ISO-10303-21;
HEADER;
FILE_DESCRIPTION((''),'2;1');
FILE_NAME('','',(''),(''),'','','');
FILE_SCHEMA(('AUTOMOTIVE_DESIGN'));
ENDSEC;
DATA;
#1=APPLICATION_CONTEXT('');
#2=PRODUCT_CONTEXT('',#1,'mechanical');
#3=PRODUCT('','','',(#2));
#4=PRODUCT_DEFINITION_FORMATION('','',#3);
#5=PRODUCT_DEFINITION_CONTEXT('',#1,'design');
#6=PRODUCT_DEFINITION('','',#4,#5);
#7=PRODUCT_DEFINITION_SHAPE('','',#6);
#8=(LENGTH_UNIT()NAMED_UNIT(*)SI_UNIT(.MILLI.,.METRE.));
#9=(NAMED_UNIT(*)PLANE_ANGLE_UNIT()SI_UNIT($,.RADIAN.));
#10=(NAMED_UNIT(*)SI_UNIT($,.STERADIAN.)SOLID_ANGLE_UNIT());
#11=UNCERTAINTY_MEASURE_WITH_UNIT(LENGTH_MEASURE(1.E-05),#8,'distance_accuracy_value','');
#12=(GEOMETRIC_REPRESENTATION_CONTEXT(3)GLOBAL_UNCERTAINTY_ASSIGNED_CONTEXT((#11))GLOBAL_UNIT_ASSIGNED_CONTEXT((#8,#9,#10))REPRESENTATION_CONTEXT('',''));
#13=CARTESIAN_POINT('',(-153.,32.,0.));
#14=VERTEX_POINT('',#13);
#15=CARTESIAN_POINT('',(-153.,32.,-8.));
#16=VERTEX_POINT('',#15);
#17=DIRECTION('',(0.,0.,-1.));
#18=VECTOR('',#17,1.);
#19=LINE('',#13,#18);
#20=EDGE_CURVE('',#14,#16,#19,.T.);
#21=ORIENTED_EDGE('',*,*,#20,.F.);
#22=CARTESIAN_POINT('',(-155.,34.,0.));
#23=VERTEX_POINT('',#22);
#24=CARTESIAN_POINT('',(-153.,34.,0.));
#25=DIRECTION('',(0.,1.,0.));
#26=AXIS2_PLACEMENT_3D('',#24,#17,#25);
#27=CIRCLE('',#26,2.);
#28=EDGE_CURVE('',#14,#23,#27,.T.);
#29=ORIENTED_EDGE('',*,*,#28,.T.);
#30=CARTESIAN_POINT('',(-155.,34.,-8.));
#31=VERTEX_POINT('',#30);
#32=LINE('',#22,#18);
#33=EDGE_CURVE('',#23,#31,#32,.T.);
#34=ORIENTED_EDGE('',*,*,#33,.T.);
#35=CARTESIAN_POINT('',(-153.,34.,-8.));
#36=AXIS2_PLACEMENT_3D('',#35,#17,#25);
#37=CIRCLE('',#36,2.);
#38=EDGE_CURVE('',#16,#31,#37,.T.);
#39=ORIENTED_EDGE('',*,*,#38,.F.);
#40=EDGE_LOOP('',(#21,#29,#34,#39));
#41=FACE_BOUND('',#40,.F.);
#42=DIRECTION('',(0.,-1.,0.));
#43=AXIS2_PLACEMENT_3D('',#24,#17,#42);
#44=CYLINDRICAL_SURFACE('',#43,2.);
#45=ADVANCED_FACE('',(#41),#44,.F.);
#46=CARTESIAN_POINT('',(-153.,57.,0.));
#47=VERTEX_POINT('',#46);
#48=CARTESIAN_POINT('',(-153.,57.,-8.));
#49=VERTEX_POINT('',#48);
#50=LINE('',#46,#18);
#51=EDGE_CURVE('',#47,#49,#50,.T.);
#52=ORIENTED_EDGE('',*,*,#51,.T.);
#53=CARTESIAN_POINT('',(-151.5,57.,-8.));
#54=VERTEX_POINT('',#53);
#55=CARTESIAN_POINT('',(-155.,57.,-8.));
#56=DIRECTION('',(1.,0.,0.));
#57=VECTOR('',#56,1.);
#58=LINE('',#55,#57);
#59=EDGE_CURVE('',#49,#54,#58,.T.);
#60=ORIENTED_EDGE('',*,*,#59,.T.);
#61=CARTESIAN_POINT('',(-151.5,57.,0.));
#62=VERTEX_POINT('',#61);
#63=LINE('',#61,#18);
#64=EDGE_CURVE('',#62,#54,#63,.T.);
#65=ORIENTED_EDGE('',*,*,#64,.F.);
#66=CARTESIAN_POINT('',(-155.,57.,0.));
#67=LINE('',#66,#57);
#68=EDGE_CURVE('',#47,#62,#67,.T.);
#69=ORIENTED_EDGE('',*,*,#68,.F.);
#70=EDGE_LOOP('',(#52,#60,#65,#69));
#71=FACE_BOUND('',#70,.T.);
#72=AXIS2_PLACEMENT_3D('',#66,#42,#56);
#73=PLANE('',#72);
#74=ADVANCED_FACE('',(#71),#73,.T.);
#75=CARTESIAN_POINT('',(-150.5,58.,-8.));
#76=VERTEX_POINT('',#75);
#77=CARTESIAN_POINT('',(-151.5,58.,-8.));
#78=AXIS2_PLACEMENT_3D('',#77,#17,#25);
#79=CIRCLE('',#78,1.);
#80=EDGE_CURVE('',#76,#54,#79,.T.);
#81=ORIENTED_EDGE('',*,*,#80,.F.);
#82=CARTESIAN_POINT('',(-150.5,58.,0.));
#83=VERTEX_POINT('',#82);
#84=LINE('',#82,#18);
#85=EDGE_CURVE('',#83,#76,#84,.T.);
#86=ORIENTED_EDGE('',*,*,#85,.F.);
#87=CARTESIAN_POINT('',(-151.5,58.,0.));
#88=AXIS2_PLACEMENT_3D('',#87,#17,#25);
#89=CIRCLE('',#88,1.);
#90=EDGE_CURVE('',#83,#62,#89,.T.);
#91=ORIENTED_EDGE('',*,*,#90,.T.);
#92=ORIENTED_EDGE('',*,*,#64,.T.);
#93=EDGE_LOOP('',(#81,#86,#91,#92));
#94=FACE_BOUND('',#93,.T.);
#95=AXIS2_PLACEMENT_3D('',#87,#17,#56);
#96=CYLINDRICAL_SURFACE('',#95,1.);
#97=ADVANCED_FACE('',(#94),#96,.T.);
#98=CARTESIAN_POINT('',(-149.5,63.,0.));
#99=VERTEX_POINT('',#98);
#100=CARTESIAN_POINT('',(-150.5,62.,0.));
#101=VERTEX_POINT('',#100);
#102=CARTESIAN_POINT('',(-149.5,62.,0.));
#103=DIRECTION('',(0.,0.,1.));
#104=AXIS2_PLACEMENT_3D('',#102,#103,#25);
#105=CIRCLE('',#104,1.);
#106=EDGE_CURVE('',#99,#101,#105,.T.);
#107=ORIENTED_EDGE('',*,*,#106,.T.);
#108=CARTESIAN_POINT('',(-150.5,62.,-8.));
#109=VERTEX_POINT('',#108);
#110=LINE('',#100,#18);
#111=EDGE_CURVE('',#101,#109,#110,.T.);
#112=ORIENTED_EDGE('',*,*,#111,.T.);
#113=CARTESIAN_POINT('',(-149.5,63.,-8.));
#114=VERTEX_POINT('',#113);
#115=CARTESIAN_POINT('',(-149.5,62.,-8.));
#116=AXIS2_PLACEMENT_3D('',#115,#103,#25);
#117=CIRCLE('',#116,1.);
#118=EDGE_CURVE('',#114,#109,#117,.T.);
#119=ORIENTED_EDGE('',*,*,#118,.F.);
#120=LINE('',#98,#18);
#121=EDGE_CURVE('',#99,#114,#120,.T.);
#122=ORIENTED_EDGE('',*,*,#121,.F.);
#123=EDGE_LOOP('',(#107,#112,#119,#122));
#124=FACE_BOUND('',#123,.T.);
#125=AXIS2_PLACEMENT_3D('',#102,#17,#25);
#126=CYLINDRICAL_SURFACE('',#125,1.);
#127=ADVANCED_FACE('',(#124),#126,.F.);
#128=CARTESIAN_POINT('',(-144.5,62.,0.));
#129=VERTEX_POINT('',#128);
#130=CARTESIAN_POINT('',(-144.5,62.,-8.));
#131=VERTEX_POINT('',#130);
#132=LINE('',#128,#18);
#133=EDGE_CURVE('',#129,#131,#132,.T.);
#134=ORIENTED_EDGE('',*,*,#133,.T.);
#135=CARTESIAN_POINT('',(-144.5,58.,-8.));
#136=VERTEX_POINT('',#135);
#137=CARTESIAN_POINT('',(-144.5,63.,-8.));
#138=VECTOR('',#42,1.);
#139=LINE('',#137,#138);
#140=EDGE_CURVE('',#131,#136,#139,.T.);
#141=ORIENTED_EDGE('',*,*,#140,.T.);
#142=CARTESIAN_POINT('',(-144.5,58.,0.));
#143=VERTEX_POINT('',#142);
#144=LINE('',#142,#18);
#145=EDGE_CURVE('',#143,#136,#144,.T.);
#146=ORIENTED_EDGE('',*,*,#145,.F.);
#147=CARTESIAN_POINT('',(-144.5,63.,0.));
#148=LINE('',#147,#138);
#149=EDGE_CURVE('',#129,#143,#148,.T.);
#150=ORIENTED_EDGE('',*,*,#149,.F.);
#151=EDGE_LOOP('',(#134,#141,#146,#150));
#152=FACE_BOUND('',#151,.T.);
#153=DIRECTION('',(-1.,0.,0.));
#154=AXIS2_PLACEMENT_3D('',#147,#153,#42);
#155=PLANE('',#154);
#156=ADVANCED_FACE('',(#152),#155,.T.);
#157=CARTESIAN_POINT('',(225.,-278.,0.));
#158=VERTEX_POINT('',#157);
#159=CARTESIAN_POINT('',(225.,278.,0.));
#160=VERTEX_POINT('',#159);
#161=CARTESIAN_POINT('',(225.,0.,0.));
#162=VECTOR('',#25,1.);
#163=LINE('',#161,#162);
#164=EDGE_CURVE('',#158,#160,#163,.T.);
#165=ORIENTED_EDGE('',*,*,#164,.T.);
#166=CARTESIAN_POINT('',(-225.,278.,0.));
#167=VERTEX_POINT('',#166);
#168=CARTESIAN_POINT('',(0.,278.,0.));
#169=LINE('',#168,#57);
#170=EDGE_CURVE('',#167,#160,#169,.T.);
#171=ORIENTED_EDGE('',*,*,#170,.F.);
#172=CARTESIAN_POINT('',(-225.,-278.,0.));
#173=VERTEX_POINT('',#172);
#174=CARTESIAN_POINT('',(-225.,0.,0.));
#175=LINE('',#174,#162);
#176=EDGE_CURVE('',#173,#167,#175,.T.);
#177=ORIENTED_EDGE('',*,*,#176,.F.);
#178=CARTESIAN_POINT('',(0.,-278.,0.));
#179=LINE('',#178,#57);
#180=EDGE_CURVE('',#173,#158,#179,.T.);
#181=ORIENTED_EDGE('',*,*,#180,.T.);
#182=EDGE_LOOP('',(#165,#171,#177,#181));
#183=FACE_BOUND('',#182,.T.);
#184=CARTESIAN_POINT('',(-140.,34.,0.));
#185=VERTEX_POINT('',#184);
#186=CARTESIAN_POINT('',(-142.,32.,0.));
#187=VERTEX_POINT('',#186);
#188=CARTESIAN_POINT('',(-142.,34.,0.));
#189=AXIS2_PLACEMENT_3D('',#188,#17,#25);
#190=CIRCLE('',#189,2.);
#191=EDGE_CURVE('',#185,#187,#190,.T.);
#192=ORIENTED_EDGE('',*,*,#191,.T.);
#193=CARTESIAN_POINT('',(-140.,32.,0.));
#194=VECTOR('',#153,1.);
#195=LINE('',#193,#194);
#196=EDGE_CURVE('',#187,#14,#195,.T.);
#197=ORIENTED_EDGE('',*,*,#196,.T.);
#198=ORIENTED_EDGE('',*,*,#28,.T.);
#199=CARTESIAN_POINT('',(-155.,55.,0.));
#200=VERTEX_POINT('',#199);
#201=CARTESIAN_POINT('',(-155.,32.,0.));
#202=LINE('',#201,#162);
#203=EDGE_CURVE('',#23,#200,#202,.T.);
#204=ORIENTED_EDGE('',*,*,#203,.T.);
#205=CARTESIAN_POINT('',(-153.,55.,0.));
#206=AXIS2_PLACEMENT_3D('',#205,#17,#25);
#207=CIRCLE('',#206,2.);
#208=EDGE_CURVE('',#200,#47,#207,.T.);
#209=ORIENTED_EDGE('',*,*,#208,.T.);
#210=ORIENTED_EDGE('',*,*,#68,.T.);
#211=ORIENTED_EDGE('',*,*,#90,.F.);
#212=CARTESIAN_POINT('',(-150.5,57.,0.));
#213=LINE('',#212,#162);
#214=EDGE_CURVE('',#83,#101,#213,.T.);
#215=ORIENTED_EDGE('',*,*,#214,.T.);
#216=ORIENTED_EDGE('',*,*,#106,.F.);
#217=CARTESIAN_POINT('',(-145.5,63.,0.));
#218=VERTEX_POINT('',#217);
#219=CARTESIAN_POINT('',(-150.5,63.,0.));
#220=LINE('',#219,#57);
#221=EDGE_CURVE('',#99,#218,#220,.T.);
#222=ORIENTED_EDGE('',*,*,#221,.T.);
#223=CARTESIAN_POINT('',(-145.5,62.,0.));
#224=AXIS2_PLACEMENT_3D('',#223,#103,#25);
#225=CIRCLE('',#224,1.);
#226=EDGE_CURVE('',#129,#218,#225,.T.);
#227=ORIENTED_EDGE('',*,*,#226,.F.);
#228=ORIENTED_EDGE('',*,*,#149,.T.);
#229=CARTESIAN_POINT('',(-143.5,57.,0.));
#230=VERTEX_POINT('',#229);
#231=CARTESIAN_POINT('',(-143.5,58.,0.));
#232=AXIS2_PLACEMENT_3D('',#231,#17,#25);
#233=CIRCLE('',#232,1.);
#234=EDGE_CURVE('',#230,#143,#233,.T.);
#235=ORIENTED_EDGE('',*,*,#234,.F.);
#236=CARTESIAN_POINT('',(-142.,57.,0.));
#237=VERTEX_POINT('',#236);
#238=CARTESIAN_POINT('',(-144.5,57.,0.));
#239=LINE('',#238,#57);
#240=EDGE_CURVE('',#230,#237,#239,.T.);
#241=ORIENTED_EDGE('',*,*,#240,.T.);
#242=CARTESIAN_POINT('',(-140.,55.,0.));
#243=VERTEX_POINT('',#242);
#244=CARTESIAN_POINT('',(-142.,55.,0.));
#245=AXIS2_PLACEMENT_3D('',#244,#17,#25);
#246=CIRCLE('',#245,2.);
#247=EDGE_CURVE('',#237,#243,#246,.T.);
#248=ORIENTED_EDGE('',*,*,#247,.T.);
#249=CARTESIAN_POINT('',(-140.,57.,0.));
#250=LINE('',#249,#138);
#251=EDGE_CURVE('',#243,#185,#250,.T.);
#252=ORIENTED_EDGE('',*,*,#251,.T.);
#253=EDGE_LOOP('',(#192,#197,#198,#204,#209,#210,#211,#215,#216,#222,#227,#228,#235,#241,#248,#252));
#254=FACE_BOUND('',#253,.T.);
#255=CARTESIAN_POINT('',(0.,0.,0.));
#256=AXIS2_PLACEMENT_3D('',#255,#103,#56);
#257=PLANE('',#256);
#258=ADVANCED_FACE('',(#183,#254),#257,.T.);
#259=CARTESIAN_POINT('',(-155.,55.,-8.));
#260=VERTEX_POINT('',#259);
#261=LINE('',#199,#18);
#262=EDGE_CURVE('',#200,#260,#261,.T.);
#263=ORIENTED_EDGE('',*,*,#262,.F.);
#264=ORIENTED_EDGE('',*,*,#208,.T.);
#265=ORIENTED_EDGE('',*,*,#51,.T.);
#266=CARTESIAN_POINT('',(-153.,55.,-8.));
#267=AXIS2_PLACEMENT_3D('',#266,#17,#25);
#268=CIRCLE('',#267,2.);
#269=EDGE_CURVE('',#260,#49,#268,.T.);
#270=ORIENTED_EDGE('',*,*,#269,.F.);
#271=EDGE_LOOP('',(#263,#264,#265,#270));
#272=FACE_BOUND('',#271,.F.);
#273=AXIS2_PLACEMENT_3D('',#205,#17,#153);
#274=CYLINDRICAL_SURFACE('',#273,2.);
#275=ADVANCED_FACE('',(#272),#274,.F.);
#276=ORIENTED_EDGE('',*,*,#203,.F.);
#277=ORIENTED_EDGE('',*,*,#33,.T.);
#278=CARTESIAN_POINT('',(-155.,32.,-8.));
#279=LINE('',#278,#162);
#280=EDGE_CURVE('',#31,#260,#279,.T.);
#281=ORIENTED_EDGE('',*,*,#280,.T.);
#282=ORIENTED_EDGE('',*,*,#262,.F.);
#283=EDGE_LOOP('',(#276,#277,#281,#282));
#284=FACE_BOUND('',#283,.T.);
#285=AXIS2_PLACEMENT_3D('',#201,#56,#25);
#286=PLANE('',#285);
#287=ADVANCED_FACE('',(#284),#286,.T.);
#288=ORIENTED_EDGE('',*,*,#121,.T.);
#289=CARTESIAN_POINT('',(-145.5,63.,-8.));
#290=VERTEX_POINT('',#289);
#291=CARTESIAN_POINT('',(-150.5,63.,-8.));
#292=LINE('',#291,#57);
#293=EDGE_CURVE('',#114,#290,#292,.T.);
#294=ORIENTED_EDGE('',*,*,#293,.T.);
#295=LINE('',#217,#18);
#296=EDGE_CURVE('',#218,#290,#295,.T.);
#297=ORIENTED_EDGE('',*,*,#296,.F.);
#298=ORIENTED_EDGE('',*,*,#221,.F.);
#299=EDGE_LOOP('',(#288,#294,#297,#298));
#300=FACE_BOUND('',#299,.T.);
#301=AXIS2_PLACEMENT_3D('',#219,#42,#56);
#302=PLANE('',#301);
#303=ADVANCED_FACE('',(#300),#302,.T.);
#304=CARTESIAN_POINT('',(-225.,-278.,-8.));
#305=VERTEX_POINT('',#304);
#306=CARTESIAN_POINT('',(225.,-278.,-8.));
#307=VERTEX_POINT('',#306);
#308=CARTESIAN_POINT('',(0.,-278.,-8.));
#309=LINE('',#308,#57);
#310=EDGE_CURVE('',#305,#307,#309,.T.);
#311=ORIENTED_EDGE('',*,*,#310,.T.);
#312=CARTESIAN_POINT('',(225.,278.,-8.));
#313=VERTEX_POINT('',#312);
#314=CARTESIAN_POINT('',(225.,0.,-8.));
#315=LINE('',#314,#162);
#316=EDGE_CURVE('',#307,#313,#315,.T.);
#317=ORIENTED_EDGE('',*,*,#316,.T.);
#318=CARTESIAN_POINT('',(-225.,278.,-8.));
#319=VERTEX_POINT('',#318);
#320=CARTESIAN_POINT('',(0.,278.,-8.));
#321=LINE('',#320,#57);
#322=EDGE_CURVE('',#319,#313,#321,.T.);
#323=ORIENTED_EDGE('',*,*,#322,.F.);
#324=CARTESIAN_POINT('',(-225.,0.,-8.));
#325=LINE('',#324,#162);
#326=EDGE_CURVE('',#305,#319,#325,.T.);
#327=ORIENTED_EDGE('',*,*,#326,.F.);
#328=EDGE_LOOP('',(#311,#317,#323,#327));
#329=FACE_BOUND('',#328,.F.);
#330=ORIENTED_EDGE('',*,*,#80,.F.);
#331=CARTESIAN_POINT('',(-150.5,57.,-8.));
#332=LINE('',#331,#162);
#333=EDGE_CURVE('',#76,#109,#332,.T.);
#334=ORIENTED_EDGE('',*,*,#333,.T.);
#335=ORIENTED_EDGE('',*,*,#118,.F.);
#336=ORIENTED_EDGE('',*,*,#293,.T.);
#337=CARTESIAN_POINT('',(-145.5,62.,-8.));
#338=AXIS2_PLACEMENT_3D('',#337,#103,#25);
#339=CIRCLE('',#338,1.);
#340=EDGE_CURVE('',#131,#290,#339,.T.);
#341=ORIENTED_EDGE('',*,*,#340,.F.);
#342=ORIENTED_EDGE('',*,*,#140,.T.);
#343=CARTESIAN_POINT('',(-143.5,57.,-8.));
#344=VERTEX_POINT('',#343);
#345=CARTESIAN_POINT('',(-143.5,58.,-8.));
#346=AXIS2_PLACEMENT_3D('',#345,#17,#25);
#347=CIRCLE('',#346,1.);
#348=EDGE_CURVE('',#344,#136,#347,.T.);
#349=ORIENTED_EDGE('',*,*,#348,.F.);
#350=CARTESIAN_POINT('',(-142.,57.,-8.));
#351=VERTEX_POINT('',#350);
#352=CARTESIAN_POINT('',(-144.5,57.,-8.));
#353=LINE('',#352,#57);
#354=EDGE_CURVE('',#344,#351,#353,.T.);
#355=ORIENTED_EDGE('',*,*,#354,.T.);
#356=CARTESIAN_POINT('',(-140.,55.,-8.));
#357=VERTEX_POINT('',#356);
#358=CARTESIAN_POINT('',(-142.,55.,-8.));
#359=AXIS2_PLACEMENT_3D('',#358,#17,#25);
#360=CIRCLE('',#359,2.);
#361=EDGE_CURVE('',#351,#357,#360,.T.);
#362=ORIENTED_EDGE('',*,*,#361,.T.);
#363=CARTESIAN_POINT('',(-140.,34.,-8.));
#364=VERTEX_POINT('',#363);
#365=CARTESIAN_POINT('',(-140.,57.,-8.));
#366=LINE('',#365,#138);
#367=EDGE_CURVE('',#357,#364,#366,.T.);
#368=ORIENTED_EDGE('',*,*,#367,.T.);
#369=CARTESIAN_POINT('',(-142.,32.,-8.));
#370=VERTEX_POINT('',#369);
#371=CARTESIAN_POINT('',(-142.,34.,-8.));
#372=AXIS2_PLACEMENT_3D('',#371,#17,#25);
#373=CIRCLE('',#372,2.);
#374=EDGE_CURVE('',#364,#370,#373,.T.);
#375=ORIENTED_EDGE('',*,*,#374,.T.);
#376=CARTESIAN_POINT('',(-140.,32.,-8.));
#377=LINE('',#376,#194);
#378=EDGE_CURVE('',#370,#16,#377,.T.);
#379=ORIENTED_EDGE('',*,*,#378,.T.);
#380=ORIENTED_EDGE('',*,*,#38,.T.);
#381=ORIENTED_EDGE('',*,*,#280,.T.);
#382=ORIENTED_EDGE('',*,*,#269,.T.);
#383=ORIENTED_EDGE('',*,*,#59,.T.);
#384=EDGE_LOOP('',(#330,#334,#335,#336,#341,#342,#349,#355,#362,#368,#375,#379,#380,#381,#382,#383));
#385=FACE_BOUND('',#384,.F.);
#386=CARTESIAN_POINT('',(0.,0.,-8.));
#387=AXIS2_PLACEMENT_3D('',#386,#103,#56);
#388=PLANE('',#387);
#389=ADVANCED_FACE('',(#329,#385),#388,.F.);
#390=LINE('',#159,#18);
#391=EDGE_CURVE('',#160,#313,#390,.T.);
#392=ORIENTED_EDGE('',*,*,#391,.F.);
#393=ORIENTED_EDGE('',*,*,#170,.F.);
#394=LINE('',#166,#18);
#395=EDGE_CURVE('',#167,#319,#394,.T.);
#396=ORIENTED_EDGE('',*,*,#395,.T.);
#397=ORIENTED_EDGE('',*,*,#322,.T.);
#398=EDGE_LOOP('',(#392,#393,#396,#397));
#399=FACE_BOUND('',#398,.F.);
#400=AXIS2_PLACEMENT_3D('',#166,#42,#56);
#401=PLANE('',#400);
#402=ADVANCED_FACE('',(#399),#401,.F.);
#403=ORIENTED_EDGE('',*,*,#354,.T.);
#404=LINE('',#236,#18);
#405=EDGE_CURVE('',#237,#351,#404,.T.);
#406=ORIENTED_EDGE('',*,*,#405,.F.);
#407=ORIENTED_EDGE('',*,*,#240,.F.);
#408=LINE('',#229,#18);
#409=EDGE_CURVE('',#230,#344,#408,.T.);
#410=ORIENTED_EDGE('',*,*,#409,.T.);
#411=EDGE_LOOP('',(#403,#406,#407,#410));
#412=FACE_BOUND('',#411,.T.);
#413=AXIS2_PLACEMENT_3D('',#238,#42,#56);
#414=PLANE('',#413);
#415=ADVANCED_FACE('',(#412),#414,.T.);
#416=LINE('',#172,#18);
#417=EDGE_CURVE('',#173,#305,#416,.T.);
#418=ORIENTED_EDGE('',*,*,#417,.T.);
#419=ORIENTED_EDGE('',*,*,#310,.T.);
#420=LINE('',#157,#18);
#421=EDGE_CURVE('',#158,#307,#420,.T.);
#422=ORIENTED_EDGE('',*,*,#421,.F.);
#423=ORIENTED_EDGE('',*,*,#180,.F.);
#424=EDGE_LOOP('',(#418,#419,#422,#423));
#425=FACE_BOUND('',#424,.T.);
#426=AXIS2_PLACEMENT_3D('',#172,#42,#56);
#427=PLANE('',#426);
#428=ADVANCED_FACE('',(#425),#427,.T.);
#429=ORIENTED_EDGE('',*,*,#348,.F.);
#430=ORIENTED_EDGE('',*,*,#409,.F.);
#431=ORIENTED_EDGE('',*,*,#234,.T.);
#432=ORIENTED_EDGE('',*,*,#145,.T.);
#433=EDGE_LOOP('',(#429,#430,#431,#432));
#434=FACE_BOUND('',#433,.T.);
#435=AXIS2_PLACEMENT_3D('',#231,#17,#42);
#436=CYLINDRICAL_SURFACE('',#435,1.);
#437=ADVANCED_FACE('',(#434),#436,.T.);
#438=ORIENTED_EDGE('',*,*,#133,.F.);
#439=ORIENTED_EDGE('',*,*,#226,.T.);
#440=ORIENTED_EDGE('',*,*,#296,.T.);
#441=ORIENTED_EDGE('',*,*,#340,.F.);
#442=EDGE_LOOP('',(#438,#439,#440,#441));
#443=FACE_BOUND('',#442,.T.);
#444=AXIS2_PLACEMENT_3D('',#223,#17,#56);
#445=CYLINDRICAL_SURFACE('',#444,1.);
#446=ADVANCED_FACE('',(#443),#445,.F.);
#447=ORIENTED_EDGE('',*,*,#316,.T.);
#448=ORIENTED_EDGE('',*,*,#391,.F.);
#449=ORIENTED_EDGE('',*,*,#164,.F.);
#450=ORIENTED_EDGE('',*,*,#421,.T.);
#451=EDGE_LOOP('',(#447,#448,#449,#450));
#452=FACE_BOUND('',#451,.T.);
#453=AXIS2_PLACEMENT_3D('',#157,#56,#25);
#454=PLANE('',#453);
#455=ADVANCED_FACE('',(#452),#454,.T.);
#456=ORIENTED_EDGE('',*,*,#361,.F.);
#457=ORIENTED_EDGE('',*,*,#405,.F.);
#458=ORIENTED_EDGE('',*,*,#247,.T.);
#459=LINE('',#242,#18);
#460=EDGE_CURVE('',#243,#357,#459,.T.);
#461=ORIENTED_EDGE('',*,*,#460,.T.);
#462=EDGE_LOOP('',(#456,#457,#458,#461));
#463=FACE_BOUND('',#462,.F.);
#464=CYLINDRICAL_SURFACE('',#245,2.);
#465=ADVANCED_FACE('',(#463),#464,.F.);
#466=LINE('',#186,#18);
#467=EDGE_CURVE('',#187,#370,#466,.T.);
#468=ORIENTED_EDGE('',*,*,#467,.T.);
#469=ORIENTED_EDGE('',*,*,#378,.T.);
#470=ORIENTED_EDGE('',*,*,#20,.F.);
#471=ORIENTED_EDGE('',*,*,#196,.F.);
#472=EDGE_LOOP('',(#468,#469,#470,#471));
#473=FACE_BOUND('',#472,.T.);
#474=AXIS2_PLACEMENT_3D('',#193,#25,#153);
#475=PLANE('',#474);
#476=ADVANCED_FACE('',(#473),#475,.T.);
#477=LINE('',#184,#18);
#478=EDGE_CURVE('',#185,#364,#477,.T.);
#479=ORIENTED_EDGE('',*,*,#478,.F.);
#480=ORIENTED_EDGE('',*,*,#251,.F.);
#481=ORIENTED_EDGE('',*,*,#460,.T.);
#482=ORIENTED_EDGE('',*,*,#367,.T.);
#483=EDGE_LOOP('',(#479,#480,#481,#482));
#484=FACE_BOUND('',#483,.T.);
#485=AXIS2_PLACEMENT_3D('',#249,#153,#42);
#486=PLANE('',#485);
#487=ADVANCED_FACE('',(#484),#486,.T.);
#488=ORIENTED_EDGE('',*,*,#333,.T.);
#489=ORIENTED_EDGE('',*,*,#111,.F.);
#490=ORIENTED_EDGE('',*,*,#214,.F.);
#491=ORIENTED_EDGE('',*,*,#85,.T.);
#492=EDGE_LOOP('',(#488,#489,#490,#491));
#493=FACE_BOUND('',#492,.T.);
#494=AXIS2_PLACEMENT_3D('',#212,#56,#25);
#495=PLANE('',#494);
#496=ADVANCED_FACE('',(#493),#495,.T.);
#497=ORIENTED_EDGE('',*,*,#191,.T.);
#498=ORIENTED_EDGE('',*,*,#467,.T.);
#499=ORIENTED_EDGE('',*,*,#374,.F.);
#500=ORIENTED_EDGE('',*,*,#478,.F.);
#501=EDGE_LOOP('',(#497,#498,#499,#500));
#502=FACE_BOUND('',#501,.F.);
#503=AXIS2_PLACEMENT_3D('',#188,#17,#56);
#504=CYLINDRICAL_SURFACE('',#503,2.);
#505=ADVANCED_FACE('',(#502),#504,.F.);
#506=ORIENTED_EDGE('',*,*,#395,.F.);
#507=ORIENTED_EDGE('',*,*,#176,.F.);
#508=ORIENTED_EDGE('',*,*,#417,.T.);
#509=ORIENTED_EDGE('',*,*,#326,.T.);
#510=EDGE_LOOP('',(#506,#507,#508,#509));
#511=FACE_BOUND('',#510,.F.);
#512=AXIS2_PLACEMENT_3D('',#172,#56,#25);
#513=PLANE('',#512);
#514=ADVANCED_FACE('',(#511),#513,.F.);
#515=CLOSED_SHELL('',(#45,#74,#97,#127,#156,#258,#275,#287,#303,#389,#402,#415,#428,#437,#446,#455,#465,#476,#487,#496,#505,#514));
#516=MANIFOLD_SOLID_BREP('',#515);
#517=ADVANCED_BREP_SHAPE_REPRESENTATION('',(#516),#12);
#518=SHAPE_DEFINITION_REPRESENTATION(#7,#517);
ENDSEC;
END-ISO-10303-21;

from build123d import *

# Parameters (mm, degrees)
F0_W     = 450
F0_H     = 556
F1_DEPTH = 8
F2_R     = 1
F3_R     = 2


with BuildPart() as f1:
    # F0 (on Top) → F1 (new body)
    with BuildSketch(Plane.XY):
        Rectangle(F0_W, F0_H)
        Polygon((-155, 32), (-155, 57), (-150.5, 57), (-150.5, 63), (-144.5, 63), (-144.5, 57), (-140, 57), (-140, 32), align=None, mode=Mode.SUBTRACT)
    extrude(amount=-F1_DEPTH)

    # F2
    f2_edges = [f1.edges().sort_by_distance(p)[0] for p in [
        (-144.5, 57, -4),
        (-150.5, 57, -4),
        (-144.5, 63, -4),
        (-150.5, 63, -4),
    ]]
    fillet(f2_edges, radius=F2_R)

    # F3
    f3_edges = [f1.edges().sort_by_distance(p)[0] for p in [
        (-140, 57, -4),
        (-140, 32, -4),
        (-155, 57, -4),
        (-155, 32, -4),
    ]]
    fillet(f3_edges, radius=F3_R)


solid = f1.part
